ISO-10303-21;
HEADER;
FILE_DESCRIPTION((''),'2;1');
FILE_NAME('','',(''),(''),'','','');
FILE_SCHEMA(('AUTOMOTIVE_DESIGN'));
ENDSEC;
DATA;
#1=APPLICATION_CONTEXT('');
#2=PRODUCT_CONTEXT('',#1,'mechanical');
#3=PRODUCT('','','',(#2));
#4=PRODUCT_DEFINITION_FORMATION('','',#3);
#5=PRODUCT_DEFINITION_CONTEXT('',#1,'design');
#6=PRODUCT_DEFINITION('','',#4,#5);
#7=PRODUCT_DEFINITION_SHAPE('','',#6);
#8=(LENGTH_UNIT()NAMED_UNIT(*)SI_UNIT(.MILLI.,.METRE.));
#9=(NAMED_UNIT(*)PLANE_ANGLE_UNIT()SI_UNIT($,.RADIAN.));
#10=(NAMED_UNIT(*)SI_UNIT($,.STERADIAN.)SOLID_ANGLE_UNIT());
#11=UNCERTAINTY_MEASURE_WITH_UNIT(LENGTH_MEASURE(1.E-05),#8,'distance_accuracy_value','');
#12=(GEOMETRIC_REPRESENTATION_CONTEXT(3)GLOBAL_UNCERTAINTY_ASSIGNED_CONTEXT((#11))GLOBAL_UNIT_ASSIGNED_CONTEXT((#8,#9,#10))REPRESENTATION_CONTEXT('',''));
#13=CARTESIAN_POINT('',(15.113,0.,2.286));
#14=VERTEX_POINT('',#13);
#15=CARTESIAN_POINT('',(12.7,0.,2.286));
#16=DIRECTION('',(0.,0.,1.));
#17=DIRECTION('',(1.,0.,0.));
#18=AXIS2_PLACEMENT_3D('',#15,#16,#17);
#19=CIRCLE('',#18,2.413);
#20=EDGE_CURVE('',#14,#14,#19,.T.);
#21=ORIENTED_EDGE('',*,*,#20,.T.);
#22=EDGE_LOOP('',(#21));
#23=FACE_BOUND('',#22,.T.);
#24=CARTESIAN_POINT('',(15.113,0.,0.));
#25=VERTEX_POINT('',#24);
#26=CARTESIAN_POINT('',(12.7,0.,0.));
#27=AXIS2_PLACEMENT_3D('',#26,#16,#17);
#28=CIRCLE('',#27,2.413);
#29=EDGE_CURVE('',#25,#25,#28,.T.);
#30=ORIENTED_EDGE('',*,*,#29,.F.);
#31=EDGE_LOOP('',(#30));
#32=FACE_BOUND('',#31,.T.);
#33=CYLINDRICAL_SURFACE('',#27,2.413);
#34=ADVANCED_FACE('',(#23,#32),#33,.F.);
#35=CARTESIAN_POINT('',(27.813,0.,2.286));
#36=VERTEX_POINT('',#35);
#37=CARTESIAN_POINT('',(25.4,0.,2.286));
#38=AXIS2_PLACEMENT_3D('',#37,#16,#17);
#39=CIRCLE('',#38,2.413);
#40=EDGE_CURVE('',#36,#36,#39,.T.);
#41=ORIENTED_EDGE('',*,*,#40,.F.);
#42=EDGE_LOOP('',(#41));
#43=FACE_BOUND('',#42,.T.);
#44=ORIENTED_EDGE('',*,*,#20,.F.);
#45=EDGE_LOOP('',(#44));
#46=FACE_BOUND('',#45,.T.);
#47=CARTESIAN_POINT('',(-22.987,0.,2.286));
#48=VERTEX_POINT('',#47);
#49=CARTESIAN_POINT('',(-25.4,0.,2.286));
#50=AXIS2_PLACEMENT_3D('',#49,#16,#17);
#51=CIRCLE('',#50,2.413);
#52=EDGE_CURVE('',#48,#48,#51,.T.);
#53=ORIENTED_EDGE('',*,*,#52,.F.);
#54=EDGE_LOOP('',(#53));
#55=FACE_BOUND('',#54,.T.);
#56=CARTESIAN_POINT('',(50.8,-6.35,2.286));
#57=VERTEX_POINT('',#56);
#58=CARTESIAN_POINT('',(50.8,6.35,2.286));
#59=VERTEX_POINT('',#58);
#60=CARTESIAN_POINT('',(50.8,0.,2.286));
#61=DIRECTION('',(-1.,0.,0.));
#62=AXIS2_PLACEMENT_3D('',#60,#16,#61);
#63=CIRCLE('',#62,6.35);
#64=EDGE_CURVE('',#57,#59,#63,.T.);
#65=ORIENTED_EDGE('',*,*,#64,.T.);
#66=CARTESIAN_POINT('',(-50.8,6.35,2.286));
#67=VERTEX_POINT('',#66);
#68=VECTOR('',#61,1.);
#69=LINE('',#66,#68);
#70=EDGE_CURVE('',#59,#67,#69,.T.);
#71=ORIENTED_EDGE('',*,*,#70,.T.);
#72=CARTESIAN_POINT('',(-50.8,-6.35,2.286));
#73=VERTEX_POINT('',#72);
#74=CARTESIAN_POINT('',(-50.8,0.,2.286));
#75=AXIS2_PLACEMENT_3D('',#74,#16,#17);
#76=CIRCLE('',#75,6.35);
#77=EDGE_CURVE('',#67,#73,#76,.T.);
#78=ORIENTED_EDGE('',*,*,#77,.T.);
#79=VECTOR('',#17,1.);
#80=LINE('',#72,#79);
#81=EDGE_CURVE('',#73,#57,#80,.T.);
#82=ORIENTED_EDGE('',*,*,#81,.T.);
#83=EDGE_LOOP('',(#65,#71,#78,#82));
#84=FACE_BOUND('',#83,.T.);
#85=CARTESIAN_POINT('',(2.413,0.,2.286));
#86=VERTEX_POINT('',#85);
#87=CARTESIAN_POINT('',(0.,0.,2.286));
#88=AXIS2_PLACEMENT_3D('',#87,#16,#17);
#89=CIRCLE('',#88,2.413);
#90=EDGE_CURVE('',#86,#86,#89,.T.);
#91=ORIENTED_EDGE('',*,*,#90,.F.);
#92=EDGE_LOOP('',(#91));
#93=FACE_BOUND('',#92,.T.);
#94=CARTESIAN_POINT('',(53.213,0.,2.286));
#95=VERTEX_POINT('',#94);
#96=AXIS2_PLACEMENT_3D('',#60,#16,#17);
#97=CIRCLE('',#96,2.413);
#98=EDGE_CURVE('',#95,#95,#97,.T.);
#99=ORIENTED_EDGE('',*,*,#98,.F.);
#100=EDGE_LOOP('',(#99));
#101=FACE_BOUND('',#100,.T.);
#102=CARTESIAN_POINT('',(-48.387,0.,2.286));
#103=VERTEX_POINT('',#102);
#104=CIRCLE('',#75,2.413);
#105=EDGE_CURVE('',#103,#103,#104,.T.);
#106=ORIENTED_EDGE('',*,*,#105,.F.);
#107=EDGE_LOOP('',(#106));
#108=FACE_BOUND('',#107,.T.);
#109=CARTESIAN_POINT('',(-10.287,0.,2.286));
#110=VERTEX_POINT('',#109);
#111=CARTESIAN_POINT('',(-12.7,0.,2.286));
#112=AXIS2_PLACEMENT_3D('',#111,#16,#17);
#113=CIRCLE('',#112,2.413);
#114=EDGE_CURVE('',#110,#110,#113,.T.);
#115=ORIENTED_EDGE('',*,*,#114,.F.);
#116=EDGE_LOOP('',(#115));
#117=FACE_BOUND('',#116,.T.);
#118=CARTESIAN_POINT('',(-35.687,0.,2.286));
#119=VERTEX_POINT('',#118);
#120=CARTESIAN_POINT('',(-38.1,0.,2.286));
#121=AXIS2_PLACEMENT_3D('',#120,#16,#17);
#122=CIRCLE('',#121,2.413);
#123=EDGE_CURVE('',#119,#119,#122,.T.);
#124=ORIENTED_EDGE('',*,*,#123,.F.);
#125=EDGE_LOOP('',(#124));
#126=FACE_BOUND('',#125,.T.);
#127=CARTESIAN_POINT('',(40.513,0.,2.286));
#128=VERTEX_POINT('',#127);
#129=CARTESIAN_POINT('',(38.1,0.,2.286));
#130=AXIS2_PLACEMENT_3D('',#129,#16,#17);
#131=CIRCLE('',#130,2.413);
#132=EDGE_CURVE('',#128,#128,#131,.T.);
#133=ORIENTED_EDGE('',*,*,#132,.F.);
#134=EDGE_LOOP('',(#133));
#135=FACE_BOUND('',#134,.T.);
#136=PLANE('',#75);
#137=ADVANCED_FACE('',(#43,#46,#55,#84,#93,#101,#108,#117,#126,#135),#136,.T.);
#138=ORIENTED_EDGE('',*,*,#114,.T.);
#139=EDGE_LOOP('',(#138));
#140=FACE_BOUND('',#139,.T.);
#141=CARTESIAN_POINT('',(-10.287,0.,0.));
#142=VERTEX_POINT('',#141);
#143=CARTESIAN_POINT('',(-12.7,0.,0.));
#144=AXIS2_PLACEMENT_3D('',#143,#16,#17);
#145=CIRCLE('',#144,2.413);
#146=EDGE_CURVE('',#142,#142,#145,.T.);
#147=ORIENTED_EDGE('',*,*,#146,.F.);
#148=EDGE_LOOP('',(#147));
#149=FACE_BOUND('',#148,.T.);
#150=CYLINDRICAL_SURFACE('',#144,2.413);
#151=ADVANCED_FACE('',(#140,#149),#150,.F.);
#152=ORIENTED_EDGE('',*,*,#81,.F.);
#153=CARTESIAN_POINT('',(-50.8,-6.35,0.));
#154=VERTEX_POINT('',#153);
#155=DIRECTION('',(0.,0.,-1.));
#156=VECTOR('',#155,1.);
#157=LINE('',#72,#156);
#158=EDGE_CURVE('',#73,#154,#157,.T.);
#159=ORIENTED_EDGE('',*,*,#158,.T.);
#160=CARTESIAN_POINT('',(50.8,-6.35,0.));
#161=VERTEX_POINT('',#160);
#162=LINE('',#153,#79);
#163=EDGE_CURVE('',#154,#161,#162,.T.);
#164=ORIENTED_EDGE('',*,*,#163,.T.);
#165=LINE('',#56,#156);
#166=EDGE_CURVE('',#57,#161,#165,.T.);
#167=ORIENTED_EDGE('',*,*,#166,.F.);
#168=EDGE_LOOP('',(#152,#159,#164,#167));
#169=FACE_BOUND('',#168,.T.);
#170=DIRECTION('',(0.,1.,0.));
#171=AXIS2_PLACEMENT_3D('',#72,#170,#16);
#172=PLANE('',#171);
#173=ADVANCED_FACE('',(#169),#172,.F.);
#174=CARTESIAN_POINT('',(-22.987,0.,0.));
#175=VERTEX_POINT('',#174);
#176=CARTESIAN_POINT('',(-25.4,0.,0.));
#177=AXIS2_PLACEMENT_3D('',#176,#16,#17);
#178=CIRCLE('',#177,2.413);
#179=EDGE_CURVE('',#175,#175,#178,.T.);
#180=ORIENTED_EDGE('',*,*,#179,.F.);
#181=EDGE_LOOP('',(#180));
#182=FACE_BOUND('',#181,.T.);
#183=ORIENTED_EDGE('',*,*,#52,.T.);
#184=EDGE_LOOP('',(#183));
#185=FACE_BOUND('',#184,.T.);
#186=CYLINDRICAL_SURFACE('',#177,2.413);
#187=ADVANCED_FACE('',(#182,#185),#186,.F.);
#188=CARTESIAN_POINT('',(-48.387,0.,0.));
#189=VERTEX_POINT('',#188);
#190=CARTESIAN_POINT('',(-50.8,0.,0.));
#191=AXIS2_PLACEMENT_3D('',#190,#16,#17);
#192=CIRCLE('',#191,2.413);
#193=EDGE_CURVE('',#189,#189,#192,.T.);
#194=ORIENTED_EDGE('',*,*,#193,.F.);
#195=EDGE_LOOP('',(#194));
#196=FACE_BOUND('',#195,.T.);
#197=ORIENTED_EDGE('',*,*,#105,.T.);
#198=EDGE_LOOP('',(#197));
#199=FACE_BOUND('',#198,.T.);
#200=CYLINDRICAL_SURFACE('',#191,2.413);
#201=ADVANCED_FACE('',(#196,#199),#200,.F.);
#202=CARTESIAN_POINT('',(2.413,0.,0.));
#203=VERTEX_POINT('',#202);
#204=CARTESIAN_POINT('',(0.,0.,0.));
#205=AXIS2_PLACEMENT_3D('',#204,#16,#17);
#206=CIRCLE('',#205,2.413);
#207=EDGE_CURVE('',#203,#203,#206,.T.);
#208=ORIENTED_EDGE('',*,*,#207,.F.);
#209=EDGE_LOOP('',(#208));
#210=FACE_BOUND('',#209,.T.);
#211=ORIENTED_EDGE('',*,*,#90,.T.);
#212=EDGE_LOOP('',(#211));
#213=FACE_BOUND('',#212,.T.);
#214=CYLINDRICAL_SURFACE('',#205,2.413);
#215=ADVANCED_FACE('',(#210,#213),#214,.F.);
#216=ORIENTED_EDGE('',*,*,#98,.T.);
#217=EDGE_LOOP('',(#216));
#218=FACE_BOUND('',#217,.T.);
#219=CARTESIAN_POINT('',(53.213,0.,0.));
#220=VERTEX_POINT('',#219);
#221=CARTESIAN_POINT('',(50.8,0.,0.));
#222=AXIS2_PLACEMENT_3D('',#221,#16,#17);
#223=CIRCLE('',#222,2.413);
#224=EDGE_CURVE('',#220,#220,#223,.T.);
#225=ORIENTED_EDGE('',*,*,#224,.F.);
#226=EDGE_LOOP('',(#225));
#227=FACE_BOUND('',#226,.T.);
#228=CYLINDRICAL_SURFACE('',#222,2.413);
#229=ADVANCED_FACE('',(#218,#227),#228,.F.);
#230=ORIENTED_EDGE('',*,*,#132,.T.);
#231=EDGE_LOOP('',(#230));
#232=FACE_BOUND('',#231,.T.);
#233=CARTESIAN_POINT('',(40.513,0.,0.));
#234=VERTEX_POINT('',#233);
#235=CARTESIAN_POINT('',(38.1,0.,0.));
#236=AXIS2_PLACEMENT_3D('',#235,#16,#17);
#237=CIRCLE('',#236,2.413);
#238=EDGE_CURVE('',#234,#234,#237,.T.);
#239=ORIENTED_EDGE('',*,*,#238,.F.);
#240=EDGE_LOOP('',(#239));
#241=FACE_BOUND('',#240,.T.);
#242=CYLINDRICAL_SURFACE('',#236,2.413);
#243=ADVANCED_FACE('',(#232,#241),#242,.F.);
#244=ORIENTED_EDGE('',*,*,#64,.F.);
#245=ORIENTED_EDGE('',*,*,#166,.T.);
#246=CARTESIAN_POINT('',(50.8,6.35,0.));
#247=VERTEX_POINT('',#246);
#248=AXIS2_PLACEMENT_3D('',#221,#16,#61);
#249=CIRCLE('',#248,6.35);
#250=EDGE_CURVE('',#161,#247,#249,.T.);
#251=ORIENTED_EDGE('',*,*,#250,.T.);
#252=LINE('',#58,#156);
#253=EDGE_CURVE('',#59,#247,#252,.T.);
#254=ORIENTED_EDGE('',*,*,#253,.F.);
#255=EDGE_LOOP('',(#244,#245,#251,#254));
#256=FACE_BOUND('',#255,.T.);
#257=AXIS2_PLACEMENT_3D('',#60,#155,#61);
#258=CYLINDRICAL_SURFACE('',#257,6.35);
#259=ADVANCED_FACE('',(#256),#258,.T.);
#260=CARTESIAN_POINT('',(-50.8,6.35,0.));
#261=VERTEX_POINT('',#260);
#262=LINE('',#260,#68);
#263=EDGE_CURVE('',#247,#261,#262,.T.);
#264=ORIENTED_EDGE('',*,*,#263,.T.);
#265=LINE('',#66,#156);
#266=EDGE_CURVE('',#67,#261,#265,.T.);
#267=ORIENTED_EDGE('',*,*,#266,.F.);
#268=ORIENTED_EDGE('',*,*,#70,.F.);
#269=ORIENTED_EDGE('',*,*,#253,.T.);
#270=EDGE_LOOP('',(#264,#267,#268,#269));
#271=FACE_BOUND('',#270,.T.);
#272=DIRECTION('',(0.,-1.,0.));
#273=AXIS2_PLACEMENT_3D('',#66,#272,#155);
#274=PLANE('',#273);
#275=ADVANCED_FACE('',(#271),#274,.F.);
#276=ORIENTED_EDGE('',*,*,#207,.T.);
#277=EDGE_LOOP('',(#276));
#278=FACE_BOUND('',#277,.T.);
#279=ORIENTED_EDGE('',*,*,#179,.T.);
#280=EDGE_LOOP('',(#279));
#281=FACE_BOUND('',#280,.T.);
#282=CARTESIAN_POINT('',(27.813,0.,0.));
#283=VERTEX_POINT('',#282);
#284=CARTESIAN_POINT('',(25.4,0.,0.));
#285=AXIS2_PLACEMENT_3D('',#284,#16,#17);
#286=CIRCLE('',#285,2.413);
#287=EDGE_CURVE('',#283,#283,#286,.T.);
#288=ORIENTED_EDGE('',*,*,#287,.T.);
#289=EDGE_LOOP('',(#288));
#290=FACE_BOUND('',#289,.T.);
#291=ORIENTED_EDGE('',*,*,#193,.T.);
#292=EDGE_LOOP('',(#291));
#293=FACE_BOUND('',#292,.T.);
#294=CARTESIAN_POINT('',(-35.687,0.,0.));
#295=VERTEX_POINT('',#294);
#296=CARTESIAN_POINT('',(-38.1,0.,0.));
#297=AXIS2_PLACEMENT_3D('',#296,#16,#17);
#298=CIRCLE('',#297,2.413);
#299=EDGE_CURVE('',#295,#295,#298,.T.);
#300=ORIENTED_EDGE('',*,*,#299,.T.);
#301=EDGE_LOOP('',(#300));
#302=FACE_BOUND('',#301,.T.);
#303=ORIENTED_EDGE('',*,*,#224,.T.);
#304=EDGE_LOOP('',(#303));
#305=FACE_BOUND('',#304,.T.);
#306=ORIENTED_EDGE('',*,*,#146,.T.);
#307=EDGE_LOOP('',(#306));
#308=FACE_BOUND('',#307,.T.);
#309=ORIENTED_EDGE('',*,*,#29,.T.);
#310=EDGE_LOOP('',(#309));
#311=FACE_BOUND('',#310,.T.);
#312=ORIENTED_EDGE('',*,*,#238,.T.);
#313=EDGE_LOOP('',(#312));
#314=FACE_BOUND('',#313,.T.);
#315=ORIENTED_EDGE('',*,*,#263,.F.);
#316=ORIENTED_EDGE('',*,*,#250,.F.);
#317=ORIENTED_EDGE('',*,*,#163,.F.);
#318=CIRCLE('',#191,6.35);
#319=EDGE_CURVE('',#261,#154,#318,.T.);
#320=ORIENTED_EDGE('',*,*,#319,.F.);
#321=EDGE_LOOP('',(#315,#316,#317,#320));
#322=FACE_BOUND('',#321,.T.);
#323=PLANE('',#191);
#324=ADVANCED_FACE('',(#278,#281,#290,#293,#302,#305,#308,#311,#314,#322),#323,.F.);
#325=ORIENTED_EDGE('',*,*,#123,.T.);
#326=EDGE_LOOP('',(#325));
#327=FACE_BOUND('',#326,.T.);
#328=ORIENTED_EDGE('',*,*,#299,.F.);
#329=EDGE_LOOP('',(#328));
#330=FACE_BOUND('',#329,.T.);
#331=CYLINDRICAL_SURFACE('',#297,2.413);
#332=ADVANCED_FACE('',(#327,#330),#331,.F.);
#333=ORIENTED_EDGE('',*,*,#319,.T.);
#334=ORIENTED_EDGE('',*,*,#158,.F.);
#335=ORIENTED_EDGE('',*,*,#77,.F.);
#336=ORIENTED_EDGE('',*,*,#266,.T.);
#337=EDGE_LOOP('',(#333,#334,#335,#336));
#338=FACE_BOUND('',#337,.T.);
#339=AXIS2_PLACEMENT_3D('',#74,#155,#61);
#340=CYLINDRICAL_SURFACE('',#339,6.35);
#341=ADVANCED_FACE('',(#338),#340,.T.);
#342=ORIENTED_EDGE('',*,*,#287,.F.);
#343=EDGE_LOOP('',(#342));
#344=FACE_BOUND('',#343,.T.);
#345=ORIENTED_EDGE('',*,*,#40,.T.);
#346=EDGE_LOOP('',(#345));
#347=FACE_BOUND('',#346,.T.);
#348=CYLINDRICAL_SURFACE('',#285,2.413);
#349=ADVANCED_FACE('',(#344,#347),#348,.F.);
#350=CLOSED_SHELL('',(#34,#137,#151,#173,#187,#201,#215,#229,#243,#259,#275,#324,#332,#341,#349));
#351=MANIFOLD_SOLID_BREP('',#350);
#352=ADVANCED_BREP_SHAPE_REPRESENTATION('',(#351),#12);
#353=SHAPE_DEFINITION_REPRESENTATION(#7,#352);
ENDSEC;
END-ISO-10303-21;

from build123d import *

# Parameters (mm, degrees)
EXTRUDE1_DEPTH     = 2.286
SKETCH2_R          = 2.413
CUT_EXTRUDE1_DEPTH = 3.286
LPATTERN1_COUNT    = 9
LPATTERN1_PITCH    = 12.7


with BuildPart() as part:
    # Sketch1 → Extrude1 (new body)
    with BuildSketch(Plane.XY):
        with BuildLine():
            Line((-50.8, -6.35), (50.8, -6.35))
            ThreePointArc((50.8, -6.35), (57.15, 0), (50.8, 6.35))
            Line((50.8, 6.35), (-50.8, 6.35))
            ThreePointArc((-50.8, 6.35), (-57.15, 0), (-50.8, -6.35))
        make_face()
    extrude(amount=EXTRUDE1_DEPTH)

    # Sketch2 → Cut-Extrude1 (cut, through all)
    with BuildSketch(Plane.XY.offset(2.286)):
        with Locations((-50.8, 0)):
            Circle(SKETCH2_R)
    cut_extrude1 = extrude(amount=-CUT_EXTRUDE1_DEPTH, mode=Mode.SUBTRACT)

    # LPattern1: Cut-Extrude1 ×9
    with Locations(*[(i * LPATTERN1_PITCH, 0, 0) for i in range(1, LPATTERN1_COUNT)]):
        add(cut_extrude1, mode=Mode.SUBTRACT)


solid = part.part
